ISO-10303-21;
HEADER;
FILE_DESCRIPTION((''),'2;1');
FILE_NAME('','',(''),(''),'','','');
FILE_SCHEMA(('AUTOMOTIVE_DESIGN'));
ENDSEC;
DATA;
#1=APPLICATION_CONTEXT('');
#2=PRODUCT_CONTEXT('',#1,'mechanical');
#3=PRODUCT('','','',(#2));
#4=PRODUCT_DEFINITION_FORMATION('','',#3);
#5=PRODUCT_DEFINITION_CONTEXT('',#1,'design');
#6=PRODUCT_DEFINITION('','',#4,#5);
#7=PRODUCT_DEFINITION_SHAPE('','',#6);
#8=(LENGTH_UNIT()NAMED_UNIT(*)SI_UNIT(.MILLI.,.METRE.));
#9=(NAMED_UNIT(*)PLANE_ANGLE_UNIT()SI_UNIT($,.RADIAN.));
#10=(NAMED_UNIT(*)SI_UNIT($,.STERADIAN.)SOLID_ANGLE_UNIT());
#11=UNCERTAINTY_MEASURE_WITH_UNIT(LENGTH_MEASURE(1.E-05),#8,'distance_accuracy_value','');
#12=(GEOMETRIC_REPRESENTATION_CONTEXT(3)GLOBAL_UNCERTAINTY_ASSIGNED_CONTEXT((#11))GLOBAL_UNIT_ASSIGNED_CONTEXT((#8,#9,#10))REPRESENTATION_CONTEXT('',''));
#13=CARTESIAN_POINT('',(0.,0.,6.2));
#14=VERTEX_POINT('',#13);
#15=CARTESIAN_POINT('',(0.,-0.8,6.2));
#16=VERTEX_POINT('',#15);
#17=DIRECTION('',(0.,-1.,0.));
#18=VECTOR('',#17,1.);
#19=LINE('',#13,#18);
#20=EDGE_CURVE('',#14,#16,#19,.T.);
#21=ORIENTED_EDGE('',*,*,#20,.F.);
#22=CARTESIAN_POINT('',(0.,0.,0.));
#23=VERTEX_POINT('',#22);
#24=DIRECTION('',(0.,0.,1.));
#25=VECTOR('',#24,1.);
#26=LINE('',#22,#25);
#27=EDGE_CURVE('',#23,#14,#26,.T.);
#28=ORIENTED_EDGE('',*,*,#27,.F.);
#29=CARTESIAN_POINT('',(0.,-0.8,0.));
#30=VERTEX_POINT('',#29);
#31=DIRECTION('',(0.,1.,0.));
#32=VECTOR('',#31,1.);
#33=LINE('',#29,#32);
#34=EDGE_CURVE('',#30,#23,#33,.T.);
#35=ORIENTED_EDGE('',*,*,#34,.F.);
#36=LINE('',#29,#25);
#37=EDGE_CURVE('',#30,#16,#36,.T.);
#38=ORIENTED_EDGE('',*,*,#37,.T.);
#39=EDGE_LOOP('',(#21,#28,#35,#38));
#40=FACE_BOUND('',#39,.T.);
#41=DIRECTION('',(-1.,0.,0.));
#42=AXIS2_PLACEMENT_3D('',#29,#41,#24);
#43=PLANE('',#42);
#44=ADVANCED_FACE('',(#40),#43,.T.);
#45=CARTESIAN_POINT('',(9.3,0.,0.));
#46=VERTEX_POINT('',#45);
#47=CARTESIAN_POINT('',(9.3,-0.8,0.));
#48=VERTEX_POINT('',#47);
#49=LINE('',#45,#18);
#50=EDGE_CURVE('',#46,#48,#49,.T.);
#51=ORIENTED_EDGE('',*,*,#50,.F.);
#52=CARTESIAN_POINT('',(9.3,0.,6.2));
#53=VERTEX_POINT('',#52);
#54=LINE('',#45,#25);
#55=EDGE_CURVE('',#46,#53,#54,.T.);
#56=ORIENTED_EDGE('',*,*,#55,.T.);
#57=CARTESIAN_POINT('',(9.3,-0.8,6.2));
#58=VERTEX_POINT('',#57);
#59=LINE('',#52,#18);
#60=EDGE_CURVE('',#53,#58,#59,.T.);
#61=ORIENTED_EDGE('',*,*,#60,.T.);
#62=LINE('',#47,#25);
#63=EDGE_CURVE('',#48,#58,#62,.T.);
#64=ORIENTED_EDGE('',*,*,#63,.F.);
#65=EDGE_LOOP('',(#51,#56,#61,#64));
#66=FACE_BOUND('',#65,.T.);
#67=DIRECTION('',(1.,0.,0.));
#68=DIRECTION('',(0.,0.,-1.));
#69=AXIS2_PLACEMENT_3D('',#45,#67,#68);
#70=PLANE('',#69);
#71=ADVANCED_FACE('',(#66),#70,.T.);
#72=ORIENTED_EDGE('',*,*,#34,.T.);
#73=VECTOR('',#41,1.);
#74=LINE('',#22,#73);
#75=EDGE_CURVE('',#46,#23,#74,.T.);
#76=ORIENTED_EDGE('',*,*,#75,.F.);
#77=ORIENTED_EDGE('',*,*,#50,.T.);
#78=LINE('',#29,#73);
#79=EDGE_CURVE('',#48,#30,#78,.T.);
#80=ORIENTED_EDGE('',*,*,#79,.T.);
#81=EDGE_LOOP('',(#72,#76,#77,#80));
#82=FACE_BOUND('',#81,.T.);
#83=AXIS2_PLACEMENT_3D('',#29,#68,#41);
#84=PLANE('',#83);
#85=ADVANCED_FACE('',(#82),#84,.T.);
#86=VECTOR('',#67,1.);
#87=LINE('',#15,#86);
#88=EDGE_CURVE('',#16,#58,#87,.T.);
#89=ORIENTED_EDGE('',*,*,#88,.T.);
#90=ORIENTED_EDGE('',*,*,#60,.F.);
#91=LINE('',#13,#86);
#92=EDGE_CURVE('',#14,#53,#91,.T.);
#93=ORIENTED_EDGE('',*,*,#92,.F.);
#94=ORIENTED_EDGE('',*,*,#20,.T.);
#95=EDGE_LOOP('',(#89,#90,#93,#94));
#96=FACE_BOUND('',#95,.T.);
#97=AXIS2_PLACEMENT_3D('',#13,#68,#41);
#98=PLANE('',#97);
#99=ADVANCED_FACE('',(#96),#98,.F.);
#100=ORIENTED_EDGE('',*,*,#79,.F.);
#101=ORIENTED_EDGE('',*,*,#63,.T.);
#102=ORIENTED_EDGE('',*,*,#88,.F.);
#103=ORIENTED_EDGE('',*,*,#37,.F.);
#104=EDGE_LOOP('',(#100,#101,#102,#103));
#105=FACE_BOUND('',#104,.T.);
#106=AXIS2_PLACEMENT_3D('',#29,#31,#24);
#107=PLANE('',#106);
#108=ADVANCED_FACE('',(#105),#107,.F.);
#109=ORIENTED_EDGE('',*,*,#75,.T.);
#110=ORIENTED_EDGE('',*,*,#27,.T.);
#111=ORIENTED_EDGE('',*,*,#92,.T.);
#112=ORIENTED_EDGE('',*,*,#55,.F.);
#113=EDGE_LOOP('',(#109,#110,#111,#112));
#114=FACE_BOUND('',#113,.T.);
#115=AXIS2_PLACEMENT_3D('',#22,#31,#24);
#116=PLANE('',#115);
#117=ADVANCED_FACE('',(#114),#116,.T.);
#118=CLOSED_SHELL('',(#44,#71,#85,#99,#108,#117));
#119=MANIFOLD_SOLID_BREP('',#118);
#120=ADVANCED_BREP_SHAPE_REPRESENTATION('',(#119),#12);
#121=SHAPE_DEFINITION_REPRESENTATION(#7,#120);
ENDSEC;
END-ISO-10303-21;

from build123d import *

# Parameters (mm, degrees)
SKETCH1_W           = 228.6
SKETCH1_H           = 12.7
BOSS_EXTRUDE1_DEPTH = 0.8
SKETCH6_W           = 9.3
SKETCH6_H           = 6.5
CUT_EXTRUDE5_DEPTH  = 229.953903657


with BuildPart() as part:
    # Sketch1 → Boss-Extrude1 (new body)
    with BuildSketch(Plane(origin=(0, 0, 0), x_dir=(1, 0, 0), z_dir=(0, 1, 0))):
        with Locations((114.3, -6.35)):
            Rectangle(SKETCH1_W, SKETCH1_H)
    extrude(amount=-BOSS_EXTRUDE1_DEPTH)

    # Sketch6 → Cut-Extrude5 (cut, through all)
    with BuildSketch(Plane.XZ.offset(0.8)):
        Polygon((9.3, 0), (228.6, 0), (228.6, 12.7), (9.3, 12.7), (9.3, 6.2), align=None)
        with Locations((4.65, 9.45)):
            Rectangle(SKETCH6_W, SKETCH6_H)
    extrude(amount=-CUT_EXTRUDE5_DEPTH, mode=Mode.SUBTRACT)


solid = part.part
